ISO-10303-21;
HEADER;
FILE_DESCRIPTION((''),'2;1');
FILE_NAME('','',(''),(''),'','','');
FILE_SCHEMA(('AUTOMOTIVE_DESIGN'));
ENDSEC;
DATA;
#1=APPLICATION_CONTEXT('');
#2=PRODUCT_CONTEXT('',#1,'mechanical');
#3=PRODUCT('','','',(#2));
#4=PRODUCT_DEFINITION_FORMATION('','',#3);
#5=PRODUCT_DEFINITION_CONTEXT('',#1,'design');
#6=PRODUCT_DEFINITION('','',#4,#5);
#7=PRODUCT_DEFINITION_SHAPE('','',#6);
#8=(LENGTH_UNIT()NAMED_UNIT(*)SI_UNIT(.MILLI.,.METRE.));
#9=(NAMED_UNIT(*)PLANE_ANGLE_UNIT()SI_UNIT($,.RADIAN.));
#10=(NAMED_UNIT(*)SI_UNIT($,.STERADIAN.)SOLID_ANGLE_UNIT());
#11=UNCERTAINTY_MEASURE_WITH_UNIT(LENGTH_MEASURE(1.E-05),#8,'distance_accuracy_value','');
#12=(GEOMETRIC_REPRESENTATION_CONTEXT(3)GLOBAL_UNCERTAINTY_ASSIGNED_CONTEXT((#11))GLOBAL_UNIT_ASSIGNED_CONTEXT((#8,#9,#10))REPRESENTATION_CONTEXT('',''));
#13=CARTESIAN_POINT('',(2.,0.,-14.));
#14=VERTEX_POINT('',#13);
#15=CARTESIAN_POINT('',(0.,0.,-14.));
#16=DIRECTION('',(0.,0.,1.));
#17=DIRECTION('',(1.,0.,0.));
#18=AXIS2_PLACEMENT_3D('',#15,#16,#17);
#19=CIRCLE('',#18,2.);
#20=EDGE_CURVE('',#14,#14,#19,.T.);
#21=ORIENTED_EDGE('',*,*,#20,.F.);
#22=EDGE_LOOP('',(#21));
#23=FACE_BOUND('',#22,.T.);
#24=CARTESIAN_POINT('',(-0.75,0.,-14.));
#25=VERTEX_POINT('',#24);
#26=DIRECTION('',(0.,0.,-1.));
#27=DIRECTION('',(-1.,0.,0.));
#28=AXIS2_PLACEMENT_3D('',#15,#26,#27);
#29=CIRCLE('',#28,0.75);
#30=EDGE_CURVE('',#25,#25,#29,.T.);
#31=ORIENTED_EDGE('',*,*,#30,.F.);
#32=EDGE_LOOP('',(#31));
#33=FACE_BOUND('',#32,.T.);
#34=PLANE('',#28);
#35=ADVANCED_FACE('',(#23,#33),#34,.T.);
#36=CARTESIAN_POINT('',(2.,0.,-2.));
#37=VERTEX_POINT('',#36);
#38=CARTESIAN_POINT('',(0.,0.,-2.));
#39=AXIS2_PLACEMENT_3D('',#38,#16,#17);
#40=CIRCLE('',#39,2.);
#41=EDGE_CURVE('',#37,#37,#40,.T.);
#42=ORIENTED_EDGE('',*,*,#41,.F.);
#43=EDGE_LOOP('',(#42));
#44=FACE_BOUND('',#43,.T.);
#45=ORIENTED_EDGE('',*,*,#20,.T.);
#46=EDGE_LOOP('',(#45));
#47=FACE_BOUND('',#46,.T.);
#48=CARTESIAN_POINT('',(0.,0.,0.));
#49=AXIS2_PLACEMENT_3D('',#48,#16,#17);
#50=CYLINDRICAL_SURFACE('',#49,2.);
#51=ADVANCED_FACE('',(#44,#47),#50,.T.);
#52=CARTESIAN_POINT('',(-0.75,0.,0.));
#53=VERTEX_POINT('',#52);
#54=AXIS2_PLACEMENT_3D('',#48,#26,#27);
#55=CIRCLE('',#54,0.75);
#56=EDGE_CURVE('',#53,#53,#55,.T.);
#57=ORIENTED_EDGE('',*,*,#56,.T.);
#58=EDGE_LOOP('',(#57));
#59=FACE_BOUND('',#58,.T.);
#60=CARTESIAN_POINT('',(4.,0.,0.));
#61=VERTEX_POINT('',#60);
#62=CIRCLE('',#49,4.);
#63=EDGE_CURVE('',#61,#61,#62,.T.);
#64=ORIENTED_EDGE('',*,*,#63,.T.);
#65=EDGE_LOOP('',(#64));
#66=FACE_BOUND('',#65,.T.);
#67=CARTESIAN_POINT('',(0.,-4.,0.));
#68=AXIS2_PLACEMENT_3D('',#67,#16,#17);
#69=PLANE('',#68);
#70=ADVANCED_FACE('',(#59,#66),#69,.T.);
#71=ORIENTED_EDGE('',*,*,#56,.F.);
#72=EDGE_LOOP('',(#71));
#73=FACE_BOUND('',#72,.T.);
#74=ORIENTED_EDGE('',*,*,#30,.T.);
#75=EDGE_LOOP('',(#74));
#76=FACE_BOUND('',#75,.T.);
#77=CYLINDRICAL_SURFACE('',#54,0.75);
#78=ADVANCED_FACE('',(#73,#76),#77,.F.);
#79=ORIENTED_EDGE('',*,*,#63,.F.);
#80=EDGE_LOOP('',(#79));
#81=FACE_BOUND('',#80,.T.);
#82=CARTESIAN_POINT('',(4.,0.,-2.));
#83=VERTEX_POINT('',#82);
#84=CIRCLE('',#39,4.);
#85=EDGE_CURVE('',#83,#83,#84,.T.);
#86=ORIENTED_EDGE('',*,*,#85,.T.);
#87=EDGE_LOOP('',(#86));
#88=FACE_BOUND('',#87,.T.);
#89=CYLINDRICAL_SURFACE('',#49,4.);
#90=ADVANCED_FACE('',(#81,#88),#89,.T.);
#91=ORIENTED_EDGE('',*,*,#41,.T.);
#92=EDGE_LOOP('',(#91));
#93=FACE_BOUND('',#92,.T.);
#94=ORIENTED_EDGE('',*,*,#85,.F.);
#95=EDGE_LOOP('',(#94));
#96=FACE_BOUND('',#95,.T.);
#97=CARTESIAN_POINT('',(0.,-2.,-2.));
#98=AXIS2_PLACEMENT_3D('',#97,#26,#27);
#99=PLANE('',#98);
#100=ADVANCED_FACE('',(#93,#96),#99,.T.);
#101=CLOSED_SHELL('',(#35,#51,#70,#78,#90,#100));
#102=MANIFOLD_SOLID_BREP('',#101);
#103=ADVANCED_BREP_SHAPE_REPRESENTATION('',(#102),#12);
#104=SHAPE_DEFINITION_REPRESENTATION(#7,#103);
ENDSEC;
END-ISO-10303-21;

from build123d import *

# Parameters (mm, degrees)
SKETCH2_R          = 0.75
CUT_EXTRUDE1_DEPTH = 15


with BuildPart() as part:
    # Sketch1 → Revolve1 (revolve)
    with BuildSketch(Plane(origin=(0, 0, 0), x_dir=(0, 0, -1), z_dir=(1, 0, 0))):
        Polygon((0, 0), (14, 0), (14, -2), (2, -2), (2, -4), (0, -4), align=None)
    revolve(axis=Axis((0, 0, 0), (0, 0, -1)))

    # Sketch2 → Cut-Extrude1 (cut, through all)
    with BuildSketch(Plane(origin=(0, 0, -14), x_dir=(-1, 0, 0), z_dir=(0, 0, -1))):
        Circle(SKETCH2_R)
    extrude(amount=-CUT_EXTRUDE1_DEPTH, mode=Mode.SUBTRACT)


solid = part.part
